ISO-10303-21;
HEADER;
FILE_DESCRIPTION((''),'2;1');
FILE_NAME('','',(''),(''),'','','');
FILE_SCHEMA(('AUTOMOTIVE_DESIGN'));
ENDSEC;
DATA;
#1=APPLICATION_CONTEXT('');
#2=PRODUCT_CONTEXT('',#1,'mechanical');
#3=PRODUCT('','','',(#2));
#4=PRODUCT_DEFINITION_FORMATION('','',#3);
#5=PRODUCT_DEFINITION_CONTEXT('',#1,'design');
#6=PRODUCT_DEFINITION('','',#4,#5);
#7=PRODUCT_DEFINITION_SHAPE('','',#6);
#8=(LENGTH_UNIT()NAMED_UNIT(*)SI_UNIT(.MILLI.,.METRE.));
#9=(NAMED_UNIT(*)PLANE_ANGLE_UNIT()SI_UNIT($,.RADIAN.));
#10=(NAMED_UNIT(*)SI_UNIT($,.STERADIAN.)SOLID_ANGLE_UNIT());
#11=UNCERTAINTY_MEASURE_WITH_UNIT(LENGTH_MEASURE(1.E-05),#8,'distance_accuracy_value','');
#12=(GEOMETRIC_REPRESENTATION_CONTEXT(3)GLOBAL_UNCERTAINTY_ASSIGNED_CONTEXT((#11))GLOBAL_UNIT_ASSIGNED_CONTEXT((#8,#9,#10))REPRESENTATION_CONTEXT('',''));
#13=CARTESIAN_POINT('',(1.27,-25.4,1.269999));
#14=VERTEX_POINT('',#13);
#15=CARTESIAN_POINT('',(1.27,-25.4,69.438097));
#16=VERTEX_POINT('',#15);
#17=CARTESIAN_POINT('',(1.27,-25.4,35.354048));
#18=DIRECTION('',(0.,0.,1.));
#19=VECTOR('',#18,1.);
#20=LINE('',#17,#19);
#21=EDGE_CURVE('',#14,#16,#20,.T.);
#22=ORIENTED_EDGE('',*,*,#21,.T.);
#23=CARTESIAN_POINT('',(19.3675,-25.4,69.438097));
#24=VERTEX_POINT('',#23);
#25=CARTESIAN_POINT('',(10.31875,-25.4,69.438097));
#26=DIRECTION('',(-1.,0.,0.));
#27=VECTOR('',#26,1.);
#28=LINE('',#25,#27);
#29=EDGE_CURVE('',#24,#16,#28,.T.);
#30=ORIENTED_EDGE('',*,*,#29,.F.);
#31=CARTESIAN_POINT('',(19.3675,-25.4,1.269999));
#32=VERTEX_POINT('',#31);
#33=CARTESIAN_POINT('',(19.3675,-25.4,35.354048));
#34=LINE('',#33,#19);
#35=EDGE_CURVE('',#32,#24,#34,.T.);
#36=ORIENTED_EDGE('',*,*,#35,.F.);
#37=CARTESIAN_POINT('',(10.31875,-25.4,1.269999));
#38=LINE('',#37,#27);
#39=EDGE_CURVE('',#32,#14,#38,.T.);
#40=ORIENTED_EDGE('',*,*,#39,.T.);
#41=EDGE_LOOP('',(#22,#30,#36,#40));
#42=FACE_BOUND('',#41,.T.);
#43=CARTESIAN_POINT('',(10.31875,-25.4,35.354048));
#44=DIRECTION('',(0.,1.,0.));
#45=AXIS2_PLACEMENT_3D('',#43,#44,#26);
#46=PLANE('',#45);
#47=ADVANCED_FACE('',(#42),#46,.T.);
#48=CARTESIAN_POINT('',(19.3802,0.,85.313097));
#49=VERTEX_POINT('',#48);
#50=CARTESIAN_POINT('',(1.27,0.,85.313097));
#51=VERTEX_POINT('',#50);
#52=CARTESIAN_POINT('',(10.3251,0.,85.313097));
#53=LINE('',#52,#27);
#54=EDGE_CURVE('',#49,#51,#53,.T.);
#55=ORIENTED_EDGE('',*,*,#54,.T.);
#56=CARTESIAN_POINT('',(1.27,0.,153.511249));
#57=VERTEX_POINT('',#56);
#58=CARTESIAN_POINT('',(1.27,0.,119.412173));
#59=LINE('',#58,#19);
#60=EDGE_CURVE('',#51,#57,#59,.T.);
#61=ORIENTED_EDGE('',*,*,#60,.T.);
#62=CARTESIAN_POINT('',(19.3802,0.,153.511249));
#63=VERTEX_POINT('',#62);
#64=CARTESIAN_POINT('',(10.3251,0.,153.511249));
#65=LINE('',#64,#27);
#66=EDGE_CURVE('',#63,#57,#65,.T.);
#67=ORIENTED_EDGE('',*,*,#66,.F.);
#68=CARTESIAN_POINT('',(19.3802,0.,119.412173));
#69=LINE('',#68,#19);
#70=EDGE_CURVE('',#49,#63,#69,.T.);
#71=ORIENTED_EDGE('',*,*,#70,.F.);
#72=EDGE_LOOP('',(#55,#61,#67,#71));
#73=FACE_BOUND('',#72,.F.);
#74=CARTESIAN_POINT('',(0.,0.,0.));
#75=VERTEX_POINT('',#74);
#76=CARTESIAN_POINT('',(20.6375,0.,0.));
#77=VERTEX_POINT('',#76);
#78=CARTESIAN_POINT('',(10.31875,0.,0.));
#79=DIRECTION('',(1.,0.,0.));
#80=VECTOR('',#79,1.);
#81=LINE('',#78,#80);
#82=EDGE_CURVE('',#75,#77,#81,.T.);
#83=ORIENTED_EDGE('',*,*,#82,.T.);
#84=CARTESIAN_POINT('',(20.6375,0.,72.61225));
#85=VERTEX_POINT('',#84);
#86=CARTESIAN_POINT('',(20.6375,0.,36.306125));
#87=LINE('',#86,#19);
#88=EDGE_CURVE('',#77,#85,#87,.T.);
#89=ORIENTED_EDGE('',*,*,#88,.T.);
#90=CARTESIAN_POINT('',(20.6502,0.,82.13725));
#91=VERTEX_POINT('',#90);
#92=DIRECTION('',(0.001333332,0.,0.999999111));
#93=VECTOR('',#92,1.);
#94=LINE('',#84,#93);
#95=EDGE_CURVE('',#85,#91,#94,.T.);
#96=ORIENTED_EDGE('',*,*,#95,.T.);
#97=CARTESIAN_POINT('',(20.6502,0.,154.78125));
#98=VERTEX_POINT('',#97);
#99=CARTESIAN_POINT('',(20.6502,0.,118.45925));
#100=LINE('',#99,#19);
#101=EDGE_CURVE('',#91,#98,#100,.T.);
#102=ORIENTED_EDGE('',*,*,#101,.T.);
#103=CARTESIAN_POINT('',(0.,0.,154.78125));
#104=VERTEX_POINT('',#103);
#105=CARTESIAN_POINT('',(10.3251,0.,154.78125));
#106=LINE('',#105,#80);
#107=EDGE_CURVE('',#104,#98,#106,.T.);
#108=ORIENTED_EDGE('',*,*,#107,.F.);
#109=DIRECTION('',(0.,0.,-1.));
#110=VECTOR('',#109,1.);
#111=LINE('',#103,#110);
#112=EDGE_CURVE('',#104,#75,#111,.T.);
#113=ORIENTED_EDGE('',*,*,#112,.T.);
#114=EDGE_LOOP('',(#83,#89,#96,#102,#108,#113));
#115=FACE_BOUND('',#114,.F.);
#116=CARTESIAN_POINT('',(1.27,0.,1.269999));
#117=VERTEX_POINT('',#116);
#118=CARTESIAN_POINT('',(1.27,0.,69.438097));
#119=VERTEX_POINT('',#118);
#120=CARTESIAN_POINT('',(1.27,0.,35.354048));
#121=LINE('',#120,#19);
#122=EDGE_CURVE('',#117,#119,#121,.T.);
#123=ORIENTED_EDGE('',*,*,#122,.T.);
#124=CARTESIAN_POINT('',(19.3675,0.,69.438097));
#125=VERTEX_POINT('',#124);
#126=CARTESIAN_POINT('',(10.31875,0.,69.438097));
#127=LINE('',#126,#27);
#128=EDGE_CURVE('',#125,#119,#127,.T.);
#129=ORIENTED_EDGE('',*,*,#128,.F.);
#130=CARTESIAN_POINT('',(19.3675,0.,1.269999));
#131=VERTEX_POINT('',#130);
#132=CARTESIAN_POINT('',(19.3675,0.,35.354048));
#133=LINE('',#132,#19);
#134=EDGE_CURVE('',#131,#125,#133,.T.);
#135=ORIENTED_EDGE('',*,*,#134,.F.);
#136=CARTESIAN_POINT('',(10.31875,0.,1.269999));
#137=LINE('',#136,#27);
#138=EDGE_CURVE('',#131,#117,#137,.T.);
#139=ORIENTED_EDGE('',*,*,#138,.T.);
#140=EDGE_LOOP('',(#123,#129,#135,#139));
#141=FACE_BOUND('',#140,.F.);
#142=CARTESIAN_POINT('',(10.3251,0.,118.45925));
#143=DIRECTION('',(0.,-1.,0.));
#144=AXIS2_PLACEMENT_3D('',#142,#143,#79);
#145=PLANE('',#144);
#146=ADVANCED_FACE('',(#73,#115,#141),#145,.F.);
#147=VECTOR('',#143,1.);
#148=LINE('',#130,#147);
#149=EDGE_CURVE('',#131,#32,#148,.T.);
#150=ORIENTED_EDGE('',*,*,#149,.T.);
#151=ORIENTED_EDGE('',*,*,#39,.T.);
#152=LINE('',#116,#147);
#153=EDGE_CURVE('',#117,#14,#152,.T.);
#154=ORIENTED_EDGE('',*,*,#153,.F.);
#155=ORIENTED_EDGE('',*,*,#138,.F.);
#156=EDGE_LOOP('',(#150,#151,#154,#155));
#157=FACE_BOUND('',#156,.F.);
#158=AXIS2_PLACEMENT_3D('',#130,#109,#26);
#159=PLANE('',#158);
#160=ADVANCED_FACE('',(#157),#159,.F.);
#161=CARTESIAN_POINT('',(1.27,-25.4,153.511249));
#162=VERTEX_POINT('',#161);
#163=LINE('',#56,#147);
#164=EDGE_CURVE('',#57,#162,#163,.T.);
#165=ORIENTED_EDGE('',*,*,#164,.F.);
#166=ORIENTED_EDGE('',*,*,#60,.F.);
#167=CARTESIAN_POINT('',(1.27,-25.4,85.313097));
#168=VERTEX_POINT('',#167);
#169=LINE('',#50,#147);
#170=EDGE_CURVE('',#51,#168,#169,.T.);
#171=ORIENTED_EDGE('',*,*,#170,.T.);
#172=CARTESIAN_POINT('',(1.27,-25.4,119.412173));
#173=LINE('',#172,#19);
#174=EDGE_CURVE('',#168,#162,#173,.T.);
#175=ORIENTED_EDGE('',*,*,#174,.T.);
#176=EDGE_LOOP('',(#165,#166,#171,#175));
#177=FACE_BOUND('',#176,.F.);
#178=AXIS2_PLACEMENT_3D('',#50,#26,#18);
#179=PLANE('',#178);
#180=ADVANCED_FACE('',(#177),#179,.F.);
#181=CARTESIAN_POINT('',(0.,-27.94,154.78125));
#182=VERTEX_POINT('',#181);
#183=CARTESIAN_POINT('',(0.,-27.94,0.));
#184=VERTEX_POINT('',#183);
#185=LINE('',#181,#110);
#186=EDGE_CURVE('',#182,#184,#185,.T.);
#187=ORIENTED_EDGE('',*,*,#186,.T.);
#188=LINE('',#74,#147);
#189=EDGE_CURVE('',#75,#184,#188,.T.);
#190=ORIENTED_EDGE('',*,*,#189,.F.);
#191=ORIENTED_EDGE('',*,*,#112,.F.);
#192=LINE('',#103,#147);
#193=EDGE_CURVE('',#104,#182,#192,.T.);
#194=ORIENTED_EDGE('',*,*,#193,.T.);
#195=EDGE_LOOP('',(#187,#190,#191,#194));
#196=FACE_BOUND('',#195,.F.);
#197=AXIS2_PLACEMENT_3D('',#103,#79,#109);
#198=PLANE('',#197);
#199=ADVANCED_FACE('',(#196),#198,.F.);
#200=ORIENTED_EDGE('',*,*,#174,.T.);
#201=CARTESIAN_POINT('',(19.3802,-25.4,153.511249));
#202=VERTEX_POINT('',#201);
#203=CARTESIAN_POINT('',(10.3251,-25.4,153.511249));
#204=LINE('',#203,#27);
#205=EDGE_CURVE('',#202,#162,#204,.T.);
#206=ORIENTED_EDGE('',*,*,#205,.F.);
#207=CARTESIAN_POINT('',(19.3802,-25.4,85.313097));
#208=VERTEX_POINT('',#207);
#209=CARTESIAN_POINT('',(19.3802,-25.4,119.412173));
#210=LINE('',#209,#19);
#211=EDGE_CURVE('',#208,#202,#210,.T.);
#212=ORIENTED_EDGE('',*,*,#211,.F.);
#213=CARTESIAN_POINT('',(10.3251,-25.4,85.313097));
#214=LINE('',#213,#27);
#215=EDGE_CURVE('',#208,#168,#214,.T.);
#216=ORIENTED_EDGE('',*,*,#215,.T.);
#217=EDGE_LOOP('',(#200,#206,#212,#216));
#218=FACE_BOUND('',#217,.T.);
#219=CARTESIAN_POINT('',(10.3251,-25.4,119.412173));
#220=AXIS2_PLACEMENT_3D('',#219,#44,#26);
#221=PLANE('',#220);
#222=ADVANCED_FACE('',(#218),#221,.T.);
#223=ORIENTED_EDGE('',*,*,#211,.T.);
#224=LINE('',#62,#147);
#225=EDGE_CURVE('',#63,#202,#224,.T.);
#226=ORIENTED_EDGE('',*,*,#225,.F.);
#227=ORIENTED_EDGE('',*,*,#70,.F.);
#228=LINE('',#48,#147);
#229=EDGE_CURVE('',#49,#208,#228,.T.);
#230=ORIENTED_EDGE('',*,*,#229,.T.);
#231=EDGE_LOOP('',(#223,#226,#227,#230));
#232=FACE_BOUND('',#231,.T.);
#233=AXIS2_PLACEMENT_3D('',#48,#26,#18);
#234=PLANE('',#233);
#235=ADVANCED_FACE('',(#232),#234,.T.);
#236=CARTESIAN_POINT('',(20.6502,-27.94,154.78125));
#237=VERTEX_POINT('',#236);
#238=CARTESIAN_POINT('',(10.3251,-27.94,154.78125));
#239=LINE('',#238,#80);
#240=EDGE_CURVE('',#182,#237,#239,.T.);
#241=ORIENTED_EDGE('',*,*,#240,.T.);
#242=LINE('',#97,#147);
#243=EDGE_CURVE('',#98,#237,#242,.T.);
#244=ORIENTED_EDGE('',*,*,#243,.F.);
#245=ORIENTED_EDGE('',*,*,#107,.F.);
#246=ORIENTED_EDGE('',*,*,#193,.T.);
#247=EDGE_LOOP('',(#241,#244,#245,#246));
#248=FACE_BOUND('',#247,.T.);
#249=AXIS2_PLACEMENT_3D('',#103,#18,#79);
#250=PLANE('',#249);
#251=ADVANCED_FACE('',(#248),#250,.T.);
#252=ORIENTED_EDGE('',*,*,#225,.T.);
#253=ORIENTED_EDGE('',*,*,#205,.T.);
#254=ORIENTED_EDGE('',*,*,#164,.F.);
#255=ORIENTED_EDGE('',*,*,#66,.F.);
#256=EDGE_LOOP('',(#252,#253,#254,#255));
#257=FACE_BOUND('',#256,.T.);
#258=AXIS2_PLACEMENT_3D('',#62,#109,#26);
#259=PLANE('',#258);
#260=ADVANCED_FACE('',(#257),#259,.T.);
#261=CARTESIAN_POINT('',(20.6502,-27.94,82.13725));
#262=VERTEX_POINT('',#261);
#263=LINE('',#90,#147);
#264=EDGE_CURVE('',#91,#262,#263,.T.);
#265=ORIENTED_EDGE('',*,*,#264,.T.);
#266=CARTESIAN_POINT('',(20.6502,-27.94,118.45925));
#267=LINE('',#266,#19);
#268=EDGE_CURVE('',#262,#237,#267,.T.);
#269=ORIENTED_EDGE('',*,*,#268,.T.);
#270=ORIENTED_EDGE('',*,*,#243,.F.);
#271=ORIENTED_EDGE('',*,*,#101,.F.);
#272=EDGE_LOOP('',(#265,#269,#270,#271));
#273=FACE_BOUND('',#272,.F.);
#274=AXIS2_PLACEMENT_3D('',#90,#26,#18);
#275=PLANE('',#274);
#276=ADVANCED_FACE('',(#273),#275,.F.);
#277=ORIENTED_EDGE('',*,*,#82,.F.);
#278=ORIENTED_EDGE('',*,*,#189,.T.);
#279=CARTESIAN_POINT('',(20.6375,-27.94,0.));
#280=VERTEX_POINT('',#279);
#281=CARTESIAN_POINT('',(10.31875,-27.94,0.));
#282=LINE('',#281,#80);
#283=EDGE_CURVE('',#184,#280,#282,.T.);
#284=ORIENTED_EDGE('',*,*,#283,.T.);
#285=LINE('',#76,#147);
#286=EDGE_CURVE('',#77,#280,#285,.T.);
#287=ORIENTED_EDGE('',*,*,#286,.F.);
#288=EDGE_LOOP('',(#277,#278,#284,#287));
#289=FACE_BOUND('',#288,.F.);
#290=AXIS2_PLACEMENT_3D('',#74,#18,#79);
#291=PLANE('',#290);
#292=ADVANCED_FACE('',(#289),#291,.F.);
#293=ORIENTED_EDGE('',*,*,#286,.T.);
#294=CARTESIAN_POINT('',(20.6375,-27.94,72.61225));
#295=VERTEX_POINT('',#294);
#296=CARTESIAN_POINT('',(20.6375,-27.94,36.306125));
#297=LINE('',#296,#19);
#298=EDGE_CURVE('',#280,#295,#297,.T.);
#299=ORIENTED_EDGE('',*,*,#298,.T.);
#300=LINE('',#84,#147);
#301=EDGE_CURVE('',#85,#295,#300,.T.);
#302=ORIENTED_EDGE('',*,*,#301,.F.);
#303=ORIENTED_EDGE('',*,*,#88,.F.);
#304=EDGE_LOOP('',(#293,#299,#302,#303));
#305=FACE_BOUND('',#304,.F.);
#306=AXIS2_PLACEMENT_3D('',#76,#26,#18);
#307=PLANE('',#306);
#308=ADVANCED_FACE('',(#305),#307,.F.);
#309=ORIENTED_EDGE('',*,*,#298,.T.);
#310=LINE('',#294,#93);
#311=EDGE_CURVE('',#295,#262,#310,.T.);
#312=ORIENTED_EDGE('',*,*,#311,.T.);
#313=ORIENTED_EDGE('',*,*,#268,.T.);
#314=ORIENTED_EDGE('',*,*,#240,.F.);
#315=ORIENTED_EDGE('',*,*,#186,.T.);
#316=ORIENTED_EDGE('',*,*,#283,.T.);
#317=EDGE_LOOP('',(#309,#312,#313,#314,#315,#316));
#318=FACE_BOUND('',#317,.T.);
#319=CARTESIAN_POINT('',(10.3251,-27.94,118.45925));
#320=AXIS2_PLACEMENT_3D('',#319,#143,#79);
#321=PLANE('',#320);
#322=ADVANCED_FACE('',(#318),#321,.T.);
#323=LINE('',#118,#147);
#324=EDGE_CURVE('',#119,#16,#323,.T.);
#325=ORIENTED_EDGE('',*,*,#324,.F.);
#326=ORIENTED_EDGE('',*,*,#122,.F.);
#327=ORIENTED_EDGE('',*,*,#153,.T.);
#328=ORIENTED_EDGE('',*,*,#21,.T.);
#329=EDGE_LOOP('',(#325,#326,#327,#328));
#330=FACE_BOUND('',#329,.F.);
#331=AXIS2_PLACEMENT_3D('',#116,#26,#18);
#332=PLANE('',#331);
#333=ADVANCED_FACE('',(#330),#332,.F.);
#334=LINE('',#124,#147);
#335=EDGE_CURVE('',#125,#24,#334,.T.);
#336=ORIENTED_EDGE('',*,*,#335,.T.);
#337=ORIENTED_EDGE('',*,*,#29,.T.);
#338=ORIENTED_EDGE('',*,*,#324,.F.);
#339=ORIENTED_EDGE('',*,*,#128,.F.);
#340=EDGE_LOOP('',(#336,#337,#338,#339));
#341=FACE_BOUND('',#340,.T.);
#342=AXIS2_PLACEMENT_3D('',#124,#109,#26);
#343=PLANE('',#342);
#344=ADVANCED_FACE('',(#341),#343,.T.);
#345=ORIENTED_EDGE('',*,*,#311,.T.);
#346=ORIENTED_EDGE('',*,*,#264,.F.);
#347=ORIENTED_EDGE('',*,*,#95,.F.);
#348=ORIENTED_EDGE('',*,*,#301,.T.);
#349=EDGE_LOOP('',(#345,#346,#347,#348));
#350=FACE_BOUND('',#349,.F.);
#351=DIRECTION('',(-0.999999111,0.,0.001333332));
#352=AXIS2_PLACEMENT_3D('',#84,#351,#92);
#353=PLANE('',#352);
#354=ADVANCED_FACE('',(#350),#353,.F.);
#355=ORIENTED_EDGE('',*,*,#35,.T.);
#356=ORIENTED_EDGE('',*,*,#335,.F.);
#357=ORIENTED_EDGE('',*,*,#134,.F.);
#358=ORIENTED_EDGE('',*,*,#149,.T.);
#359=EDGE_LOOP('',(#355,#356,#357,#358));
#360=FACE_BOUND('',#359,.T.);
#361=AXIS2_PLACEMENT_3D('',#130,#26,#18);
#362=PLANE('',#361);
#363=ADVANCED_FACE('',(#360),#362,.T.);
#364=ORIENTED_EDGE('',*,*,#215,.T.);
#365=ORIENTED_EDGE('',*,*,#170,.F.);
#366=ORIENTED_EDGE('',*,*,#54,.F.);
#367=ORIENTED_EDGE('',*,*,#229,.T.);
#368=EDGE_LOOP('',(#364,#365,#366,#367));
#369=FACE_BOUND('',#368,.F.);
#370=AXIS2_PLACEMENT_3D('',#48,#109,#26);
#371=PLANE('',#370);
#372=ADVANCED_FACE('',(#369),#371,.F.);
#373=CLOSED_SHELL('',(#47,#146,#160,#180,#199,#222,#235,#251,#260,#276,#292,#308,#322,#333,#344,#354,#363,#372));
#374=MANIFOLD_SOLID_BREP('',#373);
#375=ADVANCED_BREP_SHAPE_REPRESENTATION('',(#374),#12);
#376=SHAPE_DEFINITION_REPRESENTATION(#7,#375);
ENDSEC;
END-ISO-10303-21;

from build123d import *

# Parameters (mm, degrees)
F0_W     = 20.6502
F0_H     = 72.644
F0_W_2   = 20.6375
F0_H_2   = 72.61225
F1_DEPTH = 27.94
F2_W     = 18.0975
F2_H     = 68.168097
F2_W_2   = 18.1102
F2_H_2   = 68.198153
F3_DEPTH = 25.4


with BuildPart() as f1:
    # F0 (on Front) → F1 (new body)
    with BuildSketch(Plane.XZ):
        with Locations((10.3251, 118.45925)):
            Rectangle(F0_W, F0_H)
        Polygon((0, 82.13725), (0, 72.61225), (20.6375, 72.61225), (20.6502, 82.13725), align=None)
        with Locations((10.31875, 36.306125)):
            Rectangle(F0_W_2, F0_H_2)
    extrude(amount=F1_DEPTH)

    # F2 (on face) → F3 (cut)
    with BuildSketch(Plane(origin=(0, 0, 0), x_dir=(-1, 0, 0), z_dir=(0, 1, 0))):
        with Locations((-10.31875, 35.354048)):
            Rectangle(F2_W, F2_H)
        with Locations((-10.3251, 119.412173)):
            Rectangle(F2_W_2, F2_H_2)
    extrude(amount=-F3_DEPTH, mode=Mode.SUBTRACT)


solid = f1.part
